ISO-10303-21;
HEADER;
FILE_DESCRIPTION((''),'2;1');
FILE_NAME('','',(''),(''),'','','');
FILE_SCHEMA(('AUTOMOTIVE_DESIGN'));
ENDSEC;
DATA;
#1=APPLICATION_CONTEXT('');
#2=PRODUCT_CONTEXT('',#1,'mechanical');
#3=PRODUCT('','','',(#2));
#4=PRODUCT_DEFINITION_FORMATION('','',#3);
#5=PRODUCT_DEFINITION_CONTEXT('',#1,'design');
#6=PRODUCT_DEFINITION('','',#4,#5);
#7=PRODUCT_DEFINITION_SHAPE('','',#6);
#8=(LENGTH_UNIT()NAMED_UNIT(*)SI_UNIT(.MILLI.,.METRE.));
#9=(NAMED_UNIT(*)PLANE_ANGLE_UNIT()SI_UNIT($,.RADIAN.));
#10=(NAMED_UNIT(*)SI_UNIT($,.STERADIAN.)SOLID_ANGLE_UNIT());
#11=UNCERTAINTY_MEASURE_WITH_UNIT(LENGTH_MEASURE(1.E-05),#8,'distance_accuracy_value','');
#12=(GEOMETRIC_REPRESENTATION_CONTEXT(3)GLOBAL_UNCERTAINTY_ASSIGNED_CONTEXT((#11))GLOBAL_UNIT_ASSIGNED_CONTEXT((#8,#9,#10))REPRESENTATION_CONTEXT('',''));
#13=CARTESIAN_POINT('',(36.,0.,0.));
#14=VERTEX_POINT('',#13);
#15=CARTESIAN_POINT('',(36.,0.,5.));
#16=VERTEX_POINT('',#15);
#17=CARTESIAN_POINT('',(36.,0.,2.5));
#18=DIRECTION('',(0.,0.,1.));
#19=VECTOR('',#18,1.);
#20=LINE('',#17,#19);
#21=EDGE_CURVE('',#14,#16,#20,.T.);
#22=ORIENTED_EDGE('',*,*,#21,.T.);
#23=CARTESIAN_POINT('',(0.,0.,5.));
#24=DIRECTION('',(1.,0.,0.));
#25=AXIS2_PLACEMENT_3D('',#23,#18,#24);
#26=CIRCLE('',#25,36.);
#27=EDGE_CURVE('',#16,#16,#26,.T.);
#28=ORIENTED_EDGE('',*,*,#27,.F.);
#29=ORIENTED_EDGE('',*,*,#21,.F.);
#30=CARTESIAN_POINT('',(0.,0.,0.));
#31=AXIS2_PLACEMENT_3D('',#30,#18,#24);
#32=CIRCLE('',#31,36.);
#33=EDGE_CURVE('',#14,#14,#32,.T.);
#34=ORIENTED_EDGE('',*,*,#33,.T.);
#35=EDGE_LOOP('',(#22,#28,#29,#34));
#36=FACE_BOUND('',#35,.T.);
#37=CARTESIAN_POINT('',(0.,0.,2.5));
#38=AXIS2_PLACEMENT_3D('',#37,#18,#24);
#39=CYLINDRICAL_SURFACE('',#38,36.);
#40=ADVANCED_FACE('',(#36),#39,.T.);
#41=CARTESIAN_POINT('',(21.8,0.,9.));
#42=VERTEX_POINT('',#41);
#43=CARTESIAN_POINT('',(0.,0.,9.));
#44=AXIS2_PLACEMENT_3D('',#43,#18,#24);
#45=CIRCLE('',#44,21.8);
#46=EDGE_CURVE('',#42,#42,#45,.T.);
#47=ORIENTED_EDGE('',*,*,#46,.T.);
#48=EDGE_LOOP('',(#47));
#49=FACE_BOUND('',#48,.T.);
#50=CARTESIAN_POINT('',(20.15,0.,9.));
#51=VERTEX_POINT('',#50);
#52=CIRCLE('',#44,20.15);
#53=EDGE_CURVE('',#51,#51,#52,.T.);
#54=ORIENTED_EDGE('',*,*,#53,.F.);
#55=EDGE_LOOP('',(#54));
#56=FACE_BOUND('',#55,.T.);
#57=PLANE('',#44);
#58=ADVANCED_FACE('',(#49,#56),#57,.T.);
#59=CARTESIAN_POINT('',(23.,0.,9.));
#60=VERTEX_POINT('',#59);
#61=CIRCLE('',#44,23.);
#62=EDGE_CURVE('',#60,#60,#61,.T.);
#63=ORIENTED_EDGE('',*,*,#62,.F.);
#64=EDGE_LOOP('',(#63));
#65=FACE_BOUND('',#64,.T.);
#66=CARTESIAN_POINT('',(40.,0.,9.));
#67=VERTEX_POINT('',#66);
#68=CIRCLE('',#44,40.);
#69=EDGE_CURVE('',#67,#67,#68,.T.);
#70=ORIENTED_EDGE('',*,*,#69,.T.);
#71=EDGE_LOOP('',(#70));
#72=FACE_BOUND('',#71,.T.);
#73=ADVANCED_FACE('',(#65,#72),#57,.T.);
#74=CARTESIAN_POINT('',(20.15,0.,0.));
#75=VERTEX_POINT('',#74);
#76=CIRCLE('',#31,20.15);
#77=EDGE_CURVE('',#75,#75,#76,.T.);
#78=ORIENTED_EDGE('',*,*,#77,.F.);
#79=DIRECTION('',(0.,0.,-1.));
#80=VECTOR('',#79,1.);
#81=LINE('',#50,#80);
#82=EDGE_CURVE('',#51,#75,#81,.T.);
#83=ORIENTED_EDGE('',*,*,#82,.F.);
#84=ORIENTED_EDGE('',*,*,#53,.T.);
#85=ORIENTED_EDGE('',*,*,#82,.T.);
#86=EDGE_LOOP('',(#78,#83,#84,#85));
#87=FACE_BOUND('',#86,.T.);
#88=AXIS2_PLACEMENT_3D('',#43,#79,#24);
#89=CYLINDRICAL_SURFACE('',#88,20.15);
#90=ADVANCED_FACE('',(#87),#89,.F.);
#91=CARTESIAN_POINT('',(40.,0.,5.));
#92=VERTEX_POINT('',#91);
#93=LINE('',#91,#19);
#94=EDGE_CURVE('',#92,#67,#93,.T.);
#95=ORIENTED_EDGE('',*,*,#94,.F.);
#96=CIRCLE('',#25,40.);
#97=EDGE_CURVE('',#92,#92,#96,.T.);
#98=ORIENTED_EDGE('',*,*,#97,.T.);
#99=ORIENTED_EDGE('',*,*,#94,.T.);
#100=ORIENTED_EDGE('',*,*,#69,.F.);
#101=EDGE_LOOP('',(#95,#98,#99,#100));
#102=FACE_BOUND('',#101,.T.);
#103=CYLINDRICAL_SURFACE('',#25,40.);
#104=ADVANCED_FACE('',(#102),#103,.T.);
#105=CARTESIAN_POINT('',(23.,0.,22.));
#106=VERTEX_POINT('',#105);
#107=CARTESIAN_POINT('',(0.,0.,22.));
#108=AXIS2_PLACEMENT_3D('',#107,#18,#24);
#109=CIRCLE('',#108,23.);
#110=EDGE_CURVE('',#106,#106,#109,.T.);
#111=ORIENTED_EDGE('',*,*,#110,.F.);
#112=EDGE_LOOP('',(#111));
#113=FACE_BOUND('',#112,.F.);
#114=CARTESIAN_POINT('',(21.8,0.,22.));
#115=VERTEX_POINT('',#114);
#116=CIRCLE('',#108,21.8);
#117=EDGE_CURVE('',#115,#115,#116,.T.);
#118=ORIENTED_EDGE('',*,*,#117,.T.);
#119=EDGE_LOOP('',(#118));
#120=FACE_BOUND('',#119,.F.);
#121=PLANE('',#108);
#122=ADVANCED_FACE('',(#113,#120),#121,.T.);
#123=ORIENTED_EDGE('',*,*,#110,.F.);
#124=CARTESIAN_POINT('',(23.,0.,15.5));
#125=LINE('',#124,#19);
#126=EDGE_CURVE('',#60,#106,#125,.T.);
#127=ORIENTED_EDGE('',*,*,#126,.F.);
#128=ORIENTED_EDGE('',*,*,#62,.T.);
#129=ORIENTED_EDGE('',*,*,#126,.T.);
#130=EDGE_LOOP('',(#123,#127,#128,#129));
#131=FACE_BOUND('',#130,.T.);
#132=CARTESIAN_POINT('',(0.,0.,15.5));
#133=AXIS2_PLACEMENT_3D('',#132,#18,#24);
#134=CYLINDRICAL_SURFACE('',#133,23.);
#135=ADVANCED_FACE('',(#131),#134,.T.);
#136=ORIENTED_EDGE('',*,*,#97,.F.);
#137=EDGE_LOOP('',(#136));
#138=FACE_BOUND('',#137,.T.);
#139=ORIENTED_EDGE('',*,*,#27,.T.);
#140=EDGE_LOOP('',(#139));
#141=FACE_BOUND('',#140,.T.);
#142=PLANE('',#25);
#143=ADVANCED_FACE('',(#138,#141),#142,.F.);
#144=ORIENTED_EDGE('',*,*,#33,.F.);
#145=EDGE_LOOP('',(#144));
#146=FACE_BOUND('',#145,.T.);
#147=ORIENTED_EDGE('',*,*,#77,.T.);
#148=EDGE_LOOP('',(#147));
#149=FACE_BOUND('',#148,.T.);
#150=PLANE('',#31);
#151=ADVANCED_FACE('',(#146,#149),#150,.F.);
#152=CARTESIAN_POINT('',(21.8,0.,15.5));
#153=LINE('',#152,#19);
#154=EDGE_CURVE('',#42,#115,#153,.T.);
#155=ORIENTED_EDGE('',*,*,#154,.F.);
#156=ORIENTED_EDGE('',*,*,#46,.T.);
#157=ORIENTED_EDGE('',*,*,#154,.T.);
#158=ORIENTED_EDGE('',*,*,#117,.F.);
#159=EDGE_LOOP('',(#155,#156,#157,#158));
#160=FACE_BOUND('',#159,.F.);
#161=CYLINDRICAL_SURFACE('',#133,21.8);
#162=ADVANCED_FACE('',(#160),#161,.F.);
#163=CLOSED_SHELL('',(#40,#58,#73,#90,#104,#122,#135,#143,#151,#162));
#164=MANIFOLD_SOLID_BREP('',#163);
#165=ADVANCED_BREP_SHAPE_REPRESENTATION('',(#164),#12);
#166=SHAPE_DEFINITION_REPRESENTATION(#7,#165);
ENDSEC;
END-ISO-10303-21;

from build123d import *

# Parameters (mm, degrees)
F0_W   = 14.2
F0_H   = 5
F0_W_2 = 1.65
F0_H_2 = 4
F0_W_3 = 1.2
F0_H_3 = 13


with BuildPart() as f1:
    # F0 (on Front) → F1 (revolve)
    with BuildSketch(Plane.XZ):
        with Locations((28.9, 2.5)):
            Rectangle(F0_W, F0_H)
        Polygon((21.8, 9), (21.8, 5), (36, 5), (40, 5), (40, 9), (23, 9), align=None)
        with Locations((20.975, 7)):
            Rectangle(F0_W_2, F0_H_2)
        with Locations((20.975, 2.5)):
            Rectangle(F0_W_2, F0_H)
        with Locations((22.4, 15.5)):
            Rectangle(F0_W_3, F0_H_3)
    revolve(axis=Axis((0, 0, 2.5), (0, 0, 1)))


solid = f1.part
